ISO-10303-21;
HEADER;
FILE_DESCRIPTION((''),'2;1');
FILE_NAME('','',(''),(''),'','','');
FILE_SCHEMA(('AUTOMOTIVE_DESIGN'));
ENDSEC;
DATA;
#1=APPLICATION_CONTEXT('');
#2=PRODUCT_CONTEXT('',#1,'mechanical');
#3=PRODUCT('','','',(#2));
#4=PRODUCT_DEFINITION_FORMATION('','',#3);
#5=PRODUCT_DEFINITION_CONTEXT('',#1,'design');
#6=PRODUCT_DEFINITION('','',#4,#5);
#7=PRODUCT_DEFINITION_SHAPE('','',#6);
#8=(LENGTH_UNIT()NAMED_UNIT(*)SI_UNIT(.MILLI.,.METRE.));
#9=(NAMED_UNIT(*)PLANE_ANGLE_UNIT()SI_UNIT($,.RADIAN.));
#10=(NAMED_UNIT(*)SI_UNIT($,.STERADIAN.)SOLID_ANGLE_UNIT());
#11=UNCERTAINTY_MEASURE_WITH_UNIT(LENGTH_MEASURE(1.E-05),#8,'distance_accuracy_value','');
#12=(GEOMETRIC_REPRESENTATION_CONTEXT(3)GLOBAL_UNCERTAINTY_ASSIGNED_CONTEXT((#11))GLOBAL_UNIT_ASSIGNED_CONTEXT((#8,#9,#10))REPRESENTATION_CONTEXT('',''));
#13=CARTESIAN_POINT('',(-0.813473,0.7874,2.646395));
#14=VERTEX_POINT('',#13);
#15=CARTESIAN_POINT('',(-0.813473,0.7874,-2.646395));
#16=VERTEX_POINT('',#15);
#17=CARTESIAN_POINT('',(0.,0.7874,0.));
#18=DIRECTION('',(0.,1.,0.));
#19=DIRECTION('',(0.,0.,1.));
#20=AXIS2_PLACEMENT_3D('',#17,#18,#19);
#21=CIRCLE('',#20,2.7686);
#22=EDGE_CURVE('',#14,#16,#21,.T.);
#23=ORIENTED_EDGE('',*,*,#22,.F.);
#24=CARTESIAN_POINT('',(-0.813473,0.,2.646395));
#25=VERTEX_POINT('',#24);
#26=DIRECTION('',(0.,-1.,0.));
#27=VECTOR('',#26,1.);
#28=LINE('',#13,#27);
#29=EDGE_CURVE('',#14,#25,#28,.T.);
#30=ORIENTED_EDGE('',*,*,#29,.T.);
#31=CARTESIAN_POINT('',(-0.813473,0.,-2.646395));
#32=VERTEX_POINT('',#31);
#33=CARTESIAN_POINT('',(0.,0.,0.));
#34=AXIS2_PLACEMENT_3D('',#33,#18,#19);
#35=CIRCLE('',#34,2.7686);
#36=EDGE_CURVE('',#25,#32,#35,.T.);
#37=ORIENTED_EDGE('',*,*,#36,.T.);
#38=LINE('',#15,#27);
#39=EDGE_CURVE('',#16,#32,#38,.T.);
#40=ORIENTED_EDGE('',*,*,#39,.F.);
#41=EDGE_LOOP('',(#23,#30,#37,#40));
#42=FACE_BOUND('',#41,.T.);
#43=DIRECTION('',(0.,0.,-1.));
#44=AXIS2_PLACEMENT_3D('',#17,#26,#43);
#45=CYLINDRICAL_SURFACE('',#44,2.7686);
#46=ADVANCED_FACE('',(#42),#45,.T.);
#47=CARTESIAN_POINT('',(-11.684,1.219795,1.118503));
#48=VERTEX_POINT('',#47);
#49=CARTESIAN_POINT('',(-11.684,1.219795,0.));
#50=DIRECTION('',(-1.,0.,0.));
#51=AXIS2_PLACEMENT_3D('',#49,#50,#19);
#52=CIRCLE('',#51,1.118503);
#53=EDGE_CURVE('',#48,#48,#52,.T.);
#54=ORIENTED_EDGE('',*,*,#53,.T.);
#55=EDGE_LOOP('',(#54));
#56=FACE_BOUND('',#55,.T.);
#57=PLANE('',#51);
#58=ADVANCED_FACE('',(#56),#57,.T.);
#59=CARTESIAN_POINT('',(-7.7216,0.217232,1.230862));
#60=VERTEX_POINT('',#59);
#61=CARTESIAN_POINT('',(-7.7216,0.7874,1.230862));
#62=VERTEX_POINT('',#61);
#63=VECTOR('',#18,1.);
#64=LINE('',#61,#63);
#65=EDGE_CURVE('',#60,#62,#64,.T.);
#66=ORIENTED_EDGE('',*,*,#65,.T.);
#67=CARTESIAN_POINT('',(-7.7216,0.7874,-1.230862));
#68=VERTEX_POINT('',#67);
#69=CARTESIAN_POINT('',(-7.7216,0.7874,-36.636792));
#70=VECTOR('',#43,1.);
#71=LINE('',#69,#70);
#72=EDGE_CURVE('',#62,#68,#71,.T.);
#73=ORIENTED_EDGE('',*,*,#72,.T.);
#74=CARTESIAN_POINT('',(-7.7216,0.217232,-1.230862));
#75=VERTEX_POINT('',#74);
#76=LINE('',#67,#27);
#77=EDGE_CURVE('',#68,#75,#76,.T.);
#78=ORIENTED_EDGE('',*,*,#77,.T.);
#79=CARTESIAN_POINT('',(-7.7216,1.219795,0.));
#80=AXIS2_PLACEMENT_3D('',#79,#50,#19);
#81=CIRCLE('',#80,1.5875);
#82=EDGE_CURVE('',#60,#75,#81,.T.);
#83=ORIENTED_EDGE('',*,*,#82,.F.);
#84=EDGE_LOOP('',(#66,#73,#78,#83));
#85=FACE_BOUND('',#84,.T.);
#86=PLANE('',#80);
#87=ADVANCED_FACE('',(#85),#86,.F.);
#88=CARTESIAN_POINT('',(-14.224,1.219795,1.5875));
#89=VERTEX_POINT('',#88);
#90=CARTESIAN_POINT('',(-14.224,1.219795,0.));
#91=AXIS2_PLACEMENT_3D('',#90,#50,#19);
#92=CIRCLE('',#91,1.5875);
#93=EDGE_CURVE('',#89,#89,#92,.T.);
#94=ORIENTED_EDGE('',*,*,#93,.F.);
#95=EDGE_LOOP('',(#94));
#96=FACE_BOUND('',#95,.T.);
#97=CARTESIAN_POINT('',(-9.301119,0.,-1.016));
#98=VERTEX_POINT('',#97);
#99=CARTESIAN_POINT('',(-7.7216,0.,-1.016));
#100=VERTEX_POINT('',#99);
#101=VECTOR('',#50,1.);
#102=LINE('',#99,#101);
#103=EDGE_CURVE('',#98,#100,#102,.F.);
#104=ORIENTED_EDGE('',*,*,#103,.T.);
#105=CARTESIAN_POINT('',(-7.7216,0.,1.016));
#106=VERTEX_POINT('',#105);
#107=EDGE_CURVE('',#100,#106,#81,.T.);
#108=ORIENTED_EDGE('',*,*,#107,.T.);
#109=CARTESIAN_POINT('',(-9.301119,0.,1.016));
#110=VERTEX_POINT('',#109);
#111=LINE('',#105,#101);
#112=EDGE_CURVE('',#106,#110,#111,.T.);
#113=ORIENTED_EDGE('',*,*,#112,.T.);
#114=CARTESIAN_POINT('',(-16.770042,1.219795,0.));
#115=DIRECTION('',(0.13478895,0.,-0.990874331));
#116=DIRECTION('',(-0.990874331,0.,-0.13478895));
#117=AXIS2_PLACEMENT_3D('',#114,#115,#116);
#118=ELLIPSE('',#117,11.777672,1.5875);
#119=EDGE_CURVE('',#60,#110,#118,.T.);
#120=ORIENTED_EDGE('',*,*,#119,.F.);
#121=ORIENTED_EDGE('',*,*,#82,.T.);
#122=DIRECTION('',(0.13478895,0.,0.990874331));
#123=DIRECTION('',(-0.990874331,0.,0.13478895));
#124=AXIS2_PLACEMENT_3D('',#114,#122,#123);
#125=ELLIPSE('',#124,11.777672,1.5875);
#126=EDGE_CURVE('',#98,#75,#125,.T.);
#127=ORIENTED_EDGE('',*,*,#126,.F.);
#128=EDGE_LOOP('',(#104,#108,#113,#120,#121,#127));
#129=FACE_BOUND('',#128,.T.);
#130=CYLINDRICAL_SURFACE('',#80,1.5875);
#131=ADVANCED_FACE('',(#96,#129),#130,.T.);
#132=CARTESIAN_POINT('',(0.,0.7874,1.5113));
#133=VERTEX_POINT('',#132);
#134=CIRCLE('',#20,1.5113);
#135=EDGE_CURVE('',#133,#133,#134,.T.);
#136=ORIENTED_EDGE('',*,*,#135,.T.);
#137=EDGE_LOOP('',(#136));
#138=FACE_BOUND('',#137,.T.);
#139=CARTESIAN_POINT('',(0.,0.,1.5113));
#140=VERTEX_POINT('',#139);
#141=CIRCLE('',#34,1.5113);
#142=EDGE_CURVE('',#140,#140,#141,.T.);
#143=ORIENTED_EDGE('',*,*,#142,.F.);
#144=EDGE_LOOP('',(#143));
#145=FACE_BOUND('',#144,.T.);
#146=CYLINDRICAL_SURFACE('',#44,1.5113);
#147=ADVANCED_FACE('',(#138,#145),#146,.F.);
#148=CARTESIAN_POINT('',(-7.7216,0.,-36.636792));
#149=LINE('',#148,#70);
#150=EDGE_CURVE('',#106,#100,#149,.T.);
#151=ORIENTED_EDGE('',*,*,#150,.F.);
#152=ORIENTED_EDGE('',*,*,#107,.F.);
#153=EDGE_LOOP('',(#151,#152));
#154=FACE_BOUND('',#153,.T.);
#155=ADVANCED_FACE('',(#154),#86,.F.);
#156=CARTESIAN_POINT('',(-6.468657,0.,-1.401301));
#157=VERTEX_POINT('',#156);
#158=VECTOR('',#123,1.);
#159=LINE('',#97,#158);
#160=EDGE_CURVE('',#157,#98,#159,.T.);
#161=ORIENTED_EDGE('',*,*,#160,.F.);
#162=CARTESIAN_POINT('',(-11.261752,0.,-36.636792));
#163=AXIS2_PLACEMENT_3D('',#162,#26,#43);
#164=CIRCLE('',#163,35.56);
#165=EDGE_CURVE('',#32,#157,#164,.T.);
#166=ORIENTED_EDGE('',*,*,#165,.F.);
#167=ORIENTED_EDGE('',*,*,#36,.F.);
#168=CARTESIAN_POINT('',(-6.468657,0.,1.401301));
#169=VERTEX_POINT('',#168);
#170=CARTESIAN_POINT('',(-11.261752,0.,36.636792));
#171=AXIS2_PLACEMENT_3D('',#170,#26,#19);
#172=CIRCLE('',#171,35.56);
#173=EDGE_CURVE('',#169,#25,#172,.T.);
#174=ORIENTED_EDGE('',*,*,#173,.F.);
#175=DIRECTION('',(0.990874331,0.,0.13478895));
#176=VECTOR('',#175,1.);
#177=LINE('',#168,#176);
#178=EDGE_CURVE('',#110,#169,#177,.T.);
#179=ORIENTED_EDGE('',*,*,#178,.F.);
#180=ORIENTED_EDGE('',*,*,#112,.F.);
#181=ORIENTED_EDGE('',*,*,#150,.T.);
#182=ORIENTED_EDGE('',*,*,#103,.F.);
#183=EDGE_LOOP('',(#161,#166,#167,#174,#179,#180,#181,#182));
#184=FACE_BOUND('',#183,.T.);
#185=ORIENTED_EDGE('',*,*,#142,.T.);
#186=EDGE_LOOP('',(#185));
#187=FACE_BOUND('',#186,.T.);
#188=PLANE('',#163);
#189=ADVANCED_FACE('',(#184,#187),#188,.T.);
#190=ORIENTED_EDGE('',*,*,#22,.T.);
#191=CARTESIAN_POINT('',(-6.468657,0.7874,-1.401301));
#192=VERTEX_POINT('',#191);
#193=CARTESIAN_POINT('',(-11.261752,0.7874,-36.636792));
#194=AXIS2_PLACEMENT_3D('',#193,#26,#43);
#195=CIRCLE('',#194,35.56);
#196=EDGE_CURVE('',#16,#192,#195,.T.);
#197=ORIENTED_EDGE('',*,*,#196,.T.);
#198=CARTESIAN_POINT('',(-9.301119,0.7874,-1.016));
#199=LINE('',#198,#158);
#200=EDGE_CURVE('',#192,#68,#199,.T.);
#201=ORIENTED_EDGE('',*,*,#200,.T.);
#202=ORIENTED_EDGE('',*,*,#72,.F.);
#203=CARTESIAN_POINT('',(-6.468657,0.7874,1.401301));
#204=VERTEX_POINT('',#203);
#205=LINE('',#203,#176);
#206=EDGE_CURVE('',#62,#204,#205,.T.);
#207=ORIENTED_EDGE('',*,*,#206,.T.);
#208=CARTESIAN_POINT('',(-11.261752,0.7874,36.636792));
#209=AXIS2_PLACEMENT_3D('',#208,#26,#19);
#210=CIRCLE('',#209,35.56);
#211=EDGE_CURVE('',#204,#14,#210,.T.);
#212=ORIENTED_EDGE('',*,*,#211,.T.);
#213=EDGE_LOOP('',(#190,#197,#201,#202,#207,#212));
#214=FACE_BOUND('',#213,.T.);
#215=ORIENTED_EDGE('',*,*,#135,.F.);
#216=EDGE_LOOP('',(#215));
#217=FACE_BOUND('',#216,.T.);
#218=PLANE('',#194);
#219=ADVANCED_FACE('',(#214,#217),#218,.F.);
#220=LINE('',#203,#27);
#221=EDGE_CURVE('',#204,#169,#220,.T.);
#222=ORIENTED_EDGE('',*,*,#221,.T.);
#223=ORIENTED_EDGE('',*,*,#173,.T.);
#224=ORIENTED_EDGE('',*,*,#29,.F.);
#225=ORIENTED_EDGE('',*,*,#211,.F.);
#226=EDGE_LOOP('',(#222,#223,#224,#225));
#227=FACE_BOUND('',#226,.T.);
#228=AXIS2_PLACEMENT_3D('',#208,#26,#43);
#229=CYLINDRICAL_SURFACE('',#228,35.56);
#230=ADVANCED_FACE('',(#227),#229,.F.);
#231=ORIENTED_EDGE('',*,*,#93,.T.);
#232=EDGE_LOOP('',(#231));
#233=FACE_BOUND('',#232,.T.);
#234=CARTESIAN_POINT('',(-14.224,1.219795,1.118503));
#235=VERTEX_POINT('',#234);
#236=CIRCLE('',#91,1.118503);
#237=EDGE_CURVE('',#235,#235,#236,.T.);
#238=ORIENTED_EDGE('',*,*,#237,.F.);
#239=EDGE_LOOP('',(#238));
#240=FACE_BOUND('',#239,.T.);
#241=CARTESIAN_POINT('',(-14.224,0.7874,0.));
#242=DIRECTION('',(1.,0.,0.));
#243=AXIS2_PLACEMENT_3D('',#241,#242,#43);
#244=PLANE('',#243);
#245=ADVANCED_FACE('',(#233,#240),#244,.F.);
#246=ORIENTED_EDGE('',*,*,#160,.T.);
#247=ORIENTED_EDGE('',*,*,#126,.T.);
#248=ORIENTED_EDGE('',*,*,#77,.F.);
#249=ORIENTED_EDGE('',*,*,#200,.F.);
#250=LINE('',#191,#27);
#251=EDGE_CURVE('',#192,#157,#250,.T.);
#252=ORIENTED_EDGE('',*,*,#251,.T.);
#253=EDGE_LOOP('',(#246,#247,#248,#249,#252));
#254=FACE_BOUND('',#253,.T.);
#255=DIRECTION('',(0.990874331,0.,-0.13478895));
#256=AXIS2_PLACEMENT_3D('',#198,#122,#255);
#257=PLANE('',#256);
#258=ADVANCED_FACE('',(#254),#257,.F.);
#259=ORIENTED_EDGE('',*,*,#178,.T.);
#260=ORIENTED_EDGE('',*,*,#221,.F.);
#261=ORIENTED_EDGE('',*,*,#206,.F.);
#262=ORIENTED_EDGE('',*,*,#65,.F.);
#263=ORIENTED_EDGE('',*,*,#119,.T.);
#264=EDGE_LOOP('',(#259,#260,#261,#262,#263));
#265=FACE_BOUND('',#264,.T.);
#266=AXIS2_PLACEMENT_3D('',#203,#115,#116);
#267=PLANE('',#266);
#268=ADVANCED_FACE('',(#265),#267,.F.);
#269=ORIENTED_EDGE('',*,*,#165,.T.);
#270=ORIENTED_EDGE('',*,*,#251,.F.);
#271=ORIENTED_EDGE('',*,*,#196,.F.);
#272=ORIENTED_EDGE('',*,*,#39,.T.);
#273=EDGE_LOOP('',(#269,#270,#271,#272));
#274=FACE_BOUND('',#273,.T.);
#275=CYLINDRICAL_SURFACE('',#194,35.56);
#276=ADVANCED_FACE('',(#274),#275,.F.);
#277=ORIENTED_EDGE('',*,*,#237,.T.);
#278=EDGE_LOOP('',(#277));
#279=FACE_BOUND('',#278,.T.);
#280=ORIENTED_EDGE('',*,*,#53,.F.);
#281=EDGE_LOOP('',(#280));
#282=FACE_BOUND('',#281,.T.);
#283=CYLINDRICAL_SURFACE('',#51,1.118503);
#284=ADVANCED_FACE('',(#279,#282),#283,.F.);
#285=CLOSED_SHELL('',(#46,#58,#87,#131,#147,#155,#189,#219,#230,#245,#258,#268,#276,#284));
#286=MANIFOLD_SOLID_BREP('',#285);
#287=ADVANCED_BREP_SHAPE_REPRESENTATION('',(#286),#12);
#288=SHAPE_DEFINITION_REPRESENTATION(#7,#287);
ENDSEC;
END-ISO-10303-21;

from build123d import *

# Parameters (mm, degrees)
SKETCH1_R           = 1.5113
BOSS_EXTRUDE1_DEPTH = 0.7874
SKETCH2_R           = 1.5875
BOSS_EXTRUDE2_DEPTH = 6.5024
SKETCH3_R           = 1.11850285
CUT_EXTRUDE1_DEPTH  = 2.54


with BuildPart() as part:
    # Sketch1 → Boss-Extrude1 (new body)
    with BuildSketch(Plane(origin=(0, 0, 0), x_dir=(1, 0, 0), z_dir=(0, 1, 0))):
        with BuildLine():
            Line((-6.468656663, -1.40130078), (-9.301119213, -1.016))
            Line((-9.301119213, -1.016), (-14.224, -1.016))
            Line((-14.224, -1.016), (-14.224, 0))
            Line((-14.224, 0), (-14.224, 1.016))
            Line((-14.224, 1.016), (-9.301119213, 1.016))
            Line((-9.301119213, 1.016), (-6.468656663, 1.40130078))
            ThreePointArc((-6.468656663, 1.40130078), (-3.615678691, 1.908544578), (-0.813473119, 2.646395179))
            ThreePointArc((-0.813473119, 2.646395179), (2.7686, 0), (-0.813473119, -2.646395179))
            ThreePointArc((-0.813473119, -2.646395179), (-3.615678691, -1.908544578), (-6.468656663, -1.40130078))
        make_face()
        with Locations(Location((0, 0, 0), (0, 0, 270))):
            Circle(SKETCH1_R, mode=Mode.SUBTRACT)
    extrude(amount=BOSS_EXTRUDE1_DEPTH)

    # Sketch2 → Boss-Extrude2 (add)
    with BuildSketch(Plane.ZY.offset(14.224)):
        with Locations((0, 1.219795167)):
            Circle(SKETCH2_R)
    extrude(amount=-BOSS_EXTRUDE2_DEPTH)

    # Sketch3 → Cut-Extrude1 (cut)
    with BuildSketch(Plane.ZY.offset(14.224)):
        with Locations((0, 1.219795167)):
            Circle(SKETCH3_R)
    extrude(amount=-CUT_EXTRUDE1_DEPTH, mode=Mode.SUBTRACT)


solid = part.part
